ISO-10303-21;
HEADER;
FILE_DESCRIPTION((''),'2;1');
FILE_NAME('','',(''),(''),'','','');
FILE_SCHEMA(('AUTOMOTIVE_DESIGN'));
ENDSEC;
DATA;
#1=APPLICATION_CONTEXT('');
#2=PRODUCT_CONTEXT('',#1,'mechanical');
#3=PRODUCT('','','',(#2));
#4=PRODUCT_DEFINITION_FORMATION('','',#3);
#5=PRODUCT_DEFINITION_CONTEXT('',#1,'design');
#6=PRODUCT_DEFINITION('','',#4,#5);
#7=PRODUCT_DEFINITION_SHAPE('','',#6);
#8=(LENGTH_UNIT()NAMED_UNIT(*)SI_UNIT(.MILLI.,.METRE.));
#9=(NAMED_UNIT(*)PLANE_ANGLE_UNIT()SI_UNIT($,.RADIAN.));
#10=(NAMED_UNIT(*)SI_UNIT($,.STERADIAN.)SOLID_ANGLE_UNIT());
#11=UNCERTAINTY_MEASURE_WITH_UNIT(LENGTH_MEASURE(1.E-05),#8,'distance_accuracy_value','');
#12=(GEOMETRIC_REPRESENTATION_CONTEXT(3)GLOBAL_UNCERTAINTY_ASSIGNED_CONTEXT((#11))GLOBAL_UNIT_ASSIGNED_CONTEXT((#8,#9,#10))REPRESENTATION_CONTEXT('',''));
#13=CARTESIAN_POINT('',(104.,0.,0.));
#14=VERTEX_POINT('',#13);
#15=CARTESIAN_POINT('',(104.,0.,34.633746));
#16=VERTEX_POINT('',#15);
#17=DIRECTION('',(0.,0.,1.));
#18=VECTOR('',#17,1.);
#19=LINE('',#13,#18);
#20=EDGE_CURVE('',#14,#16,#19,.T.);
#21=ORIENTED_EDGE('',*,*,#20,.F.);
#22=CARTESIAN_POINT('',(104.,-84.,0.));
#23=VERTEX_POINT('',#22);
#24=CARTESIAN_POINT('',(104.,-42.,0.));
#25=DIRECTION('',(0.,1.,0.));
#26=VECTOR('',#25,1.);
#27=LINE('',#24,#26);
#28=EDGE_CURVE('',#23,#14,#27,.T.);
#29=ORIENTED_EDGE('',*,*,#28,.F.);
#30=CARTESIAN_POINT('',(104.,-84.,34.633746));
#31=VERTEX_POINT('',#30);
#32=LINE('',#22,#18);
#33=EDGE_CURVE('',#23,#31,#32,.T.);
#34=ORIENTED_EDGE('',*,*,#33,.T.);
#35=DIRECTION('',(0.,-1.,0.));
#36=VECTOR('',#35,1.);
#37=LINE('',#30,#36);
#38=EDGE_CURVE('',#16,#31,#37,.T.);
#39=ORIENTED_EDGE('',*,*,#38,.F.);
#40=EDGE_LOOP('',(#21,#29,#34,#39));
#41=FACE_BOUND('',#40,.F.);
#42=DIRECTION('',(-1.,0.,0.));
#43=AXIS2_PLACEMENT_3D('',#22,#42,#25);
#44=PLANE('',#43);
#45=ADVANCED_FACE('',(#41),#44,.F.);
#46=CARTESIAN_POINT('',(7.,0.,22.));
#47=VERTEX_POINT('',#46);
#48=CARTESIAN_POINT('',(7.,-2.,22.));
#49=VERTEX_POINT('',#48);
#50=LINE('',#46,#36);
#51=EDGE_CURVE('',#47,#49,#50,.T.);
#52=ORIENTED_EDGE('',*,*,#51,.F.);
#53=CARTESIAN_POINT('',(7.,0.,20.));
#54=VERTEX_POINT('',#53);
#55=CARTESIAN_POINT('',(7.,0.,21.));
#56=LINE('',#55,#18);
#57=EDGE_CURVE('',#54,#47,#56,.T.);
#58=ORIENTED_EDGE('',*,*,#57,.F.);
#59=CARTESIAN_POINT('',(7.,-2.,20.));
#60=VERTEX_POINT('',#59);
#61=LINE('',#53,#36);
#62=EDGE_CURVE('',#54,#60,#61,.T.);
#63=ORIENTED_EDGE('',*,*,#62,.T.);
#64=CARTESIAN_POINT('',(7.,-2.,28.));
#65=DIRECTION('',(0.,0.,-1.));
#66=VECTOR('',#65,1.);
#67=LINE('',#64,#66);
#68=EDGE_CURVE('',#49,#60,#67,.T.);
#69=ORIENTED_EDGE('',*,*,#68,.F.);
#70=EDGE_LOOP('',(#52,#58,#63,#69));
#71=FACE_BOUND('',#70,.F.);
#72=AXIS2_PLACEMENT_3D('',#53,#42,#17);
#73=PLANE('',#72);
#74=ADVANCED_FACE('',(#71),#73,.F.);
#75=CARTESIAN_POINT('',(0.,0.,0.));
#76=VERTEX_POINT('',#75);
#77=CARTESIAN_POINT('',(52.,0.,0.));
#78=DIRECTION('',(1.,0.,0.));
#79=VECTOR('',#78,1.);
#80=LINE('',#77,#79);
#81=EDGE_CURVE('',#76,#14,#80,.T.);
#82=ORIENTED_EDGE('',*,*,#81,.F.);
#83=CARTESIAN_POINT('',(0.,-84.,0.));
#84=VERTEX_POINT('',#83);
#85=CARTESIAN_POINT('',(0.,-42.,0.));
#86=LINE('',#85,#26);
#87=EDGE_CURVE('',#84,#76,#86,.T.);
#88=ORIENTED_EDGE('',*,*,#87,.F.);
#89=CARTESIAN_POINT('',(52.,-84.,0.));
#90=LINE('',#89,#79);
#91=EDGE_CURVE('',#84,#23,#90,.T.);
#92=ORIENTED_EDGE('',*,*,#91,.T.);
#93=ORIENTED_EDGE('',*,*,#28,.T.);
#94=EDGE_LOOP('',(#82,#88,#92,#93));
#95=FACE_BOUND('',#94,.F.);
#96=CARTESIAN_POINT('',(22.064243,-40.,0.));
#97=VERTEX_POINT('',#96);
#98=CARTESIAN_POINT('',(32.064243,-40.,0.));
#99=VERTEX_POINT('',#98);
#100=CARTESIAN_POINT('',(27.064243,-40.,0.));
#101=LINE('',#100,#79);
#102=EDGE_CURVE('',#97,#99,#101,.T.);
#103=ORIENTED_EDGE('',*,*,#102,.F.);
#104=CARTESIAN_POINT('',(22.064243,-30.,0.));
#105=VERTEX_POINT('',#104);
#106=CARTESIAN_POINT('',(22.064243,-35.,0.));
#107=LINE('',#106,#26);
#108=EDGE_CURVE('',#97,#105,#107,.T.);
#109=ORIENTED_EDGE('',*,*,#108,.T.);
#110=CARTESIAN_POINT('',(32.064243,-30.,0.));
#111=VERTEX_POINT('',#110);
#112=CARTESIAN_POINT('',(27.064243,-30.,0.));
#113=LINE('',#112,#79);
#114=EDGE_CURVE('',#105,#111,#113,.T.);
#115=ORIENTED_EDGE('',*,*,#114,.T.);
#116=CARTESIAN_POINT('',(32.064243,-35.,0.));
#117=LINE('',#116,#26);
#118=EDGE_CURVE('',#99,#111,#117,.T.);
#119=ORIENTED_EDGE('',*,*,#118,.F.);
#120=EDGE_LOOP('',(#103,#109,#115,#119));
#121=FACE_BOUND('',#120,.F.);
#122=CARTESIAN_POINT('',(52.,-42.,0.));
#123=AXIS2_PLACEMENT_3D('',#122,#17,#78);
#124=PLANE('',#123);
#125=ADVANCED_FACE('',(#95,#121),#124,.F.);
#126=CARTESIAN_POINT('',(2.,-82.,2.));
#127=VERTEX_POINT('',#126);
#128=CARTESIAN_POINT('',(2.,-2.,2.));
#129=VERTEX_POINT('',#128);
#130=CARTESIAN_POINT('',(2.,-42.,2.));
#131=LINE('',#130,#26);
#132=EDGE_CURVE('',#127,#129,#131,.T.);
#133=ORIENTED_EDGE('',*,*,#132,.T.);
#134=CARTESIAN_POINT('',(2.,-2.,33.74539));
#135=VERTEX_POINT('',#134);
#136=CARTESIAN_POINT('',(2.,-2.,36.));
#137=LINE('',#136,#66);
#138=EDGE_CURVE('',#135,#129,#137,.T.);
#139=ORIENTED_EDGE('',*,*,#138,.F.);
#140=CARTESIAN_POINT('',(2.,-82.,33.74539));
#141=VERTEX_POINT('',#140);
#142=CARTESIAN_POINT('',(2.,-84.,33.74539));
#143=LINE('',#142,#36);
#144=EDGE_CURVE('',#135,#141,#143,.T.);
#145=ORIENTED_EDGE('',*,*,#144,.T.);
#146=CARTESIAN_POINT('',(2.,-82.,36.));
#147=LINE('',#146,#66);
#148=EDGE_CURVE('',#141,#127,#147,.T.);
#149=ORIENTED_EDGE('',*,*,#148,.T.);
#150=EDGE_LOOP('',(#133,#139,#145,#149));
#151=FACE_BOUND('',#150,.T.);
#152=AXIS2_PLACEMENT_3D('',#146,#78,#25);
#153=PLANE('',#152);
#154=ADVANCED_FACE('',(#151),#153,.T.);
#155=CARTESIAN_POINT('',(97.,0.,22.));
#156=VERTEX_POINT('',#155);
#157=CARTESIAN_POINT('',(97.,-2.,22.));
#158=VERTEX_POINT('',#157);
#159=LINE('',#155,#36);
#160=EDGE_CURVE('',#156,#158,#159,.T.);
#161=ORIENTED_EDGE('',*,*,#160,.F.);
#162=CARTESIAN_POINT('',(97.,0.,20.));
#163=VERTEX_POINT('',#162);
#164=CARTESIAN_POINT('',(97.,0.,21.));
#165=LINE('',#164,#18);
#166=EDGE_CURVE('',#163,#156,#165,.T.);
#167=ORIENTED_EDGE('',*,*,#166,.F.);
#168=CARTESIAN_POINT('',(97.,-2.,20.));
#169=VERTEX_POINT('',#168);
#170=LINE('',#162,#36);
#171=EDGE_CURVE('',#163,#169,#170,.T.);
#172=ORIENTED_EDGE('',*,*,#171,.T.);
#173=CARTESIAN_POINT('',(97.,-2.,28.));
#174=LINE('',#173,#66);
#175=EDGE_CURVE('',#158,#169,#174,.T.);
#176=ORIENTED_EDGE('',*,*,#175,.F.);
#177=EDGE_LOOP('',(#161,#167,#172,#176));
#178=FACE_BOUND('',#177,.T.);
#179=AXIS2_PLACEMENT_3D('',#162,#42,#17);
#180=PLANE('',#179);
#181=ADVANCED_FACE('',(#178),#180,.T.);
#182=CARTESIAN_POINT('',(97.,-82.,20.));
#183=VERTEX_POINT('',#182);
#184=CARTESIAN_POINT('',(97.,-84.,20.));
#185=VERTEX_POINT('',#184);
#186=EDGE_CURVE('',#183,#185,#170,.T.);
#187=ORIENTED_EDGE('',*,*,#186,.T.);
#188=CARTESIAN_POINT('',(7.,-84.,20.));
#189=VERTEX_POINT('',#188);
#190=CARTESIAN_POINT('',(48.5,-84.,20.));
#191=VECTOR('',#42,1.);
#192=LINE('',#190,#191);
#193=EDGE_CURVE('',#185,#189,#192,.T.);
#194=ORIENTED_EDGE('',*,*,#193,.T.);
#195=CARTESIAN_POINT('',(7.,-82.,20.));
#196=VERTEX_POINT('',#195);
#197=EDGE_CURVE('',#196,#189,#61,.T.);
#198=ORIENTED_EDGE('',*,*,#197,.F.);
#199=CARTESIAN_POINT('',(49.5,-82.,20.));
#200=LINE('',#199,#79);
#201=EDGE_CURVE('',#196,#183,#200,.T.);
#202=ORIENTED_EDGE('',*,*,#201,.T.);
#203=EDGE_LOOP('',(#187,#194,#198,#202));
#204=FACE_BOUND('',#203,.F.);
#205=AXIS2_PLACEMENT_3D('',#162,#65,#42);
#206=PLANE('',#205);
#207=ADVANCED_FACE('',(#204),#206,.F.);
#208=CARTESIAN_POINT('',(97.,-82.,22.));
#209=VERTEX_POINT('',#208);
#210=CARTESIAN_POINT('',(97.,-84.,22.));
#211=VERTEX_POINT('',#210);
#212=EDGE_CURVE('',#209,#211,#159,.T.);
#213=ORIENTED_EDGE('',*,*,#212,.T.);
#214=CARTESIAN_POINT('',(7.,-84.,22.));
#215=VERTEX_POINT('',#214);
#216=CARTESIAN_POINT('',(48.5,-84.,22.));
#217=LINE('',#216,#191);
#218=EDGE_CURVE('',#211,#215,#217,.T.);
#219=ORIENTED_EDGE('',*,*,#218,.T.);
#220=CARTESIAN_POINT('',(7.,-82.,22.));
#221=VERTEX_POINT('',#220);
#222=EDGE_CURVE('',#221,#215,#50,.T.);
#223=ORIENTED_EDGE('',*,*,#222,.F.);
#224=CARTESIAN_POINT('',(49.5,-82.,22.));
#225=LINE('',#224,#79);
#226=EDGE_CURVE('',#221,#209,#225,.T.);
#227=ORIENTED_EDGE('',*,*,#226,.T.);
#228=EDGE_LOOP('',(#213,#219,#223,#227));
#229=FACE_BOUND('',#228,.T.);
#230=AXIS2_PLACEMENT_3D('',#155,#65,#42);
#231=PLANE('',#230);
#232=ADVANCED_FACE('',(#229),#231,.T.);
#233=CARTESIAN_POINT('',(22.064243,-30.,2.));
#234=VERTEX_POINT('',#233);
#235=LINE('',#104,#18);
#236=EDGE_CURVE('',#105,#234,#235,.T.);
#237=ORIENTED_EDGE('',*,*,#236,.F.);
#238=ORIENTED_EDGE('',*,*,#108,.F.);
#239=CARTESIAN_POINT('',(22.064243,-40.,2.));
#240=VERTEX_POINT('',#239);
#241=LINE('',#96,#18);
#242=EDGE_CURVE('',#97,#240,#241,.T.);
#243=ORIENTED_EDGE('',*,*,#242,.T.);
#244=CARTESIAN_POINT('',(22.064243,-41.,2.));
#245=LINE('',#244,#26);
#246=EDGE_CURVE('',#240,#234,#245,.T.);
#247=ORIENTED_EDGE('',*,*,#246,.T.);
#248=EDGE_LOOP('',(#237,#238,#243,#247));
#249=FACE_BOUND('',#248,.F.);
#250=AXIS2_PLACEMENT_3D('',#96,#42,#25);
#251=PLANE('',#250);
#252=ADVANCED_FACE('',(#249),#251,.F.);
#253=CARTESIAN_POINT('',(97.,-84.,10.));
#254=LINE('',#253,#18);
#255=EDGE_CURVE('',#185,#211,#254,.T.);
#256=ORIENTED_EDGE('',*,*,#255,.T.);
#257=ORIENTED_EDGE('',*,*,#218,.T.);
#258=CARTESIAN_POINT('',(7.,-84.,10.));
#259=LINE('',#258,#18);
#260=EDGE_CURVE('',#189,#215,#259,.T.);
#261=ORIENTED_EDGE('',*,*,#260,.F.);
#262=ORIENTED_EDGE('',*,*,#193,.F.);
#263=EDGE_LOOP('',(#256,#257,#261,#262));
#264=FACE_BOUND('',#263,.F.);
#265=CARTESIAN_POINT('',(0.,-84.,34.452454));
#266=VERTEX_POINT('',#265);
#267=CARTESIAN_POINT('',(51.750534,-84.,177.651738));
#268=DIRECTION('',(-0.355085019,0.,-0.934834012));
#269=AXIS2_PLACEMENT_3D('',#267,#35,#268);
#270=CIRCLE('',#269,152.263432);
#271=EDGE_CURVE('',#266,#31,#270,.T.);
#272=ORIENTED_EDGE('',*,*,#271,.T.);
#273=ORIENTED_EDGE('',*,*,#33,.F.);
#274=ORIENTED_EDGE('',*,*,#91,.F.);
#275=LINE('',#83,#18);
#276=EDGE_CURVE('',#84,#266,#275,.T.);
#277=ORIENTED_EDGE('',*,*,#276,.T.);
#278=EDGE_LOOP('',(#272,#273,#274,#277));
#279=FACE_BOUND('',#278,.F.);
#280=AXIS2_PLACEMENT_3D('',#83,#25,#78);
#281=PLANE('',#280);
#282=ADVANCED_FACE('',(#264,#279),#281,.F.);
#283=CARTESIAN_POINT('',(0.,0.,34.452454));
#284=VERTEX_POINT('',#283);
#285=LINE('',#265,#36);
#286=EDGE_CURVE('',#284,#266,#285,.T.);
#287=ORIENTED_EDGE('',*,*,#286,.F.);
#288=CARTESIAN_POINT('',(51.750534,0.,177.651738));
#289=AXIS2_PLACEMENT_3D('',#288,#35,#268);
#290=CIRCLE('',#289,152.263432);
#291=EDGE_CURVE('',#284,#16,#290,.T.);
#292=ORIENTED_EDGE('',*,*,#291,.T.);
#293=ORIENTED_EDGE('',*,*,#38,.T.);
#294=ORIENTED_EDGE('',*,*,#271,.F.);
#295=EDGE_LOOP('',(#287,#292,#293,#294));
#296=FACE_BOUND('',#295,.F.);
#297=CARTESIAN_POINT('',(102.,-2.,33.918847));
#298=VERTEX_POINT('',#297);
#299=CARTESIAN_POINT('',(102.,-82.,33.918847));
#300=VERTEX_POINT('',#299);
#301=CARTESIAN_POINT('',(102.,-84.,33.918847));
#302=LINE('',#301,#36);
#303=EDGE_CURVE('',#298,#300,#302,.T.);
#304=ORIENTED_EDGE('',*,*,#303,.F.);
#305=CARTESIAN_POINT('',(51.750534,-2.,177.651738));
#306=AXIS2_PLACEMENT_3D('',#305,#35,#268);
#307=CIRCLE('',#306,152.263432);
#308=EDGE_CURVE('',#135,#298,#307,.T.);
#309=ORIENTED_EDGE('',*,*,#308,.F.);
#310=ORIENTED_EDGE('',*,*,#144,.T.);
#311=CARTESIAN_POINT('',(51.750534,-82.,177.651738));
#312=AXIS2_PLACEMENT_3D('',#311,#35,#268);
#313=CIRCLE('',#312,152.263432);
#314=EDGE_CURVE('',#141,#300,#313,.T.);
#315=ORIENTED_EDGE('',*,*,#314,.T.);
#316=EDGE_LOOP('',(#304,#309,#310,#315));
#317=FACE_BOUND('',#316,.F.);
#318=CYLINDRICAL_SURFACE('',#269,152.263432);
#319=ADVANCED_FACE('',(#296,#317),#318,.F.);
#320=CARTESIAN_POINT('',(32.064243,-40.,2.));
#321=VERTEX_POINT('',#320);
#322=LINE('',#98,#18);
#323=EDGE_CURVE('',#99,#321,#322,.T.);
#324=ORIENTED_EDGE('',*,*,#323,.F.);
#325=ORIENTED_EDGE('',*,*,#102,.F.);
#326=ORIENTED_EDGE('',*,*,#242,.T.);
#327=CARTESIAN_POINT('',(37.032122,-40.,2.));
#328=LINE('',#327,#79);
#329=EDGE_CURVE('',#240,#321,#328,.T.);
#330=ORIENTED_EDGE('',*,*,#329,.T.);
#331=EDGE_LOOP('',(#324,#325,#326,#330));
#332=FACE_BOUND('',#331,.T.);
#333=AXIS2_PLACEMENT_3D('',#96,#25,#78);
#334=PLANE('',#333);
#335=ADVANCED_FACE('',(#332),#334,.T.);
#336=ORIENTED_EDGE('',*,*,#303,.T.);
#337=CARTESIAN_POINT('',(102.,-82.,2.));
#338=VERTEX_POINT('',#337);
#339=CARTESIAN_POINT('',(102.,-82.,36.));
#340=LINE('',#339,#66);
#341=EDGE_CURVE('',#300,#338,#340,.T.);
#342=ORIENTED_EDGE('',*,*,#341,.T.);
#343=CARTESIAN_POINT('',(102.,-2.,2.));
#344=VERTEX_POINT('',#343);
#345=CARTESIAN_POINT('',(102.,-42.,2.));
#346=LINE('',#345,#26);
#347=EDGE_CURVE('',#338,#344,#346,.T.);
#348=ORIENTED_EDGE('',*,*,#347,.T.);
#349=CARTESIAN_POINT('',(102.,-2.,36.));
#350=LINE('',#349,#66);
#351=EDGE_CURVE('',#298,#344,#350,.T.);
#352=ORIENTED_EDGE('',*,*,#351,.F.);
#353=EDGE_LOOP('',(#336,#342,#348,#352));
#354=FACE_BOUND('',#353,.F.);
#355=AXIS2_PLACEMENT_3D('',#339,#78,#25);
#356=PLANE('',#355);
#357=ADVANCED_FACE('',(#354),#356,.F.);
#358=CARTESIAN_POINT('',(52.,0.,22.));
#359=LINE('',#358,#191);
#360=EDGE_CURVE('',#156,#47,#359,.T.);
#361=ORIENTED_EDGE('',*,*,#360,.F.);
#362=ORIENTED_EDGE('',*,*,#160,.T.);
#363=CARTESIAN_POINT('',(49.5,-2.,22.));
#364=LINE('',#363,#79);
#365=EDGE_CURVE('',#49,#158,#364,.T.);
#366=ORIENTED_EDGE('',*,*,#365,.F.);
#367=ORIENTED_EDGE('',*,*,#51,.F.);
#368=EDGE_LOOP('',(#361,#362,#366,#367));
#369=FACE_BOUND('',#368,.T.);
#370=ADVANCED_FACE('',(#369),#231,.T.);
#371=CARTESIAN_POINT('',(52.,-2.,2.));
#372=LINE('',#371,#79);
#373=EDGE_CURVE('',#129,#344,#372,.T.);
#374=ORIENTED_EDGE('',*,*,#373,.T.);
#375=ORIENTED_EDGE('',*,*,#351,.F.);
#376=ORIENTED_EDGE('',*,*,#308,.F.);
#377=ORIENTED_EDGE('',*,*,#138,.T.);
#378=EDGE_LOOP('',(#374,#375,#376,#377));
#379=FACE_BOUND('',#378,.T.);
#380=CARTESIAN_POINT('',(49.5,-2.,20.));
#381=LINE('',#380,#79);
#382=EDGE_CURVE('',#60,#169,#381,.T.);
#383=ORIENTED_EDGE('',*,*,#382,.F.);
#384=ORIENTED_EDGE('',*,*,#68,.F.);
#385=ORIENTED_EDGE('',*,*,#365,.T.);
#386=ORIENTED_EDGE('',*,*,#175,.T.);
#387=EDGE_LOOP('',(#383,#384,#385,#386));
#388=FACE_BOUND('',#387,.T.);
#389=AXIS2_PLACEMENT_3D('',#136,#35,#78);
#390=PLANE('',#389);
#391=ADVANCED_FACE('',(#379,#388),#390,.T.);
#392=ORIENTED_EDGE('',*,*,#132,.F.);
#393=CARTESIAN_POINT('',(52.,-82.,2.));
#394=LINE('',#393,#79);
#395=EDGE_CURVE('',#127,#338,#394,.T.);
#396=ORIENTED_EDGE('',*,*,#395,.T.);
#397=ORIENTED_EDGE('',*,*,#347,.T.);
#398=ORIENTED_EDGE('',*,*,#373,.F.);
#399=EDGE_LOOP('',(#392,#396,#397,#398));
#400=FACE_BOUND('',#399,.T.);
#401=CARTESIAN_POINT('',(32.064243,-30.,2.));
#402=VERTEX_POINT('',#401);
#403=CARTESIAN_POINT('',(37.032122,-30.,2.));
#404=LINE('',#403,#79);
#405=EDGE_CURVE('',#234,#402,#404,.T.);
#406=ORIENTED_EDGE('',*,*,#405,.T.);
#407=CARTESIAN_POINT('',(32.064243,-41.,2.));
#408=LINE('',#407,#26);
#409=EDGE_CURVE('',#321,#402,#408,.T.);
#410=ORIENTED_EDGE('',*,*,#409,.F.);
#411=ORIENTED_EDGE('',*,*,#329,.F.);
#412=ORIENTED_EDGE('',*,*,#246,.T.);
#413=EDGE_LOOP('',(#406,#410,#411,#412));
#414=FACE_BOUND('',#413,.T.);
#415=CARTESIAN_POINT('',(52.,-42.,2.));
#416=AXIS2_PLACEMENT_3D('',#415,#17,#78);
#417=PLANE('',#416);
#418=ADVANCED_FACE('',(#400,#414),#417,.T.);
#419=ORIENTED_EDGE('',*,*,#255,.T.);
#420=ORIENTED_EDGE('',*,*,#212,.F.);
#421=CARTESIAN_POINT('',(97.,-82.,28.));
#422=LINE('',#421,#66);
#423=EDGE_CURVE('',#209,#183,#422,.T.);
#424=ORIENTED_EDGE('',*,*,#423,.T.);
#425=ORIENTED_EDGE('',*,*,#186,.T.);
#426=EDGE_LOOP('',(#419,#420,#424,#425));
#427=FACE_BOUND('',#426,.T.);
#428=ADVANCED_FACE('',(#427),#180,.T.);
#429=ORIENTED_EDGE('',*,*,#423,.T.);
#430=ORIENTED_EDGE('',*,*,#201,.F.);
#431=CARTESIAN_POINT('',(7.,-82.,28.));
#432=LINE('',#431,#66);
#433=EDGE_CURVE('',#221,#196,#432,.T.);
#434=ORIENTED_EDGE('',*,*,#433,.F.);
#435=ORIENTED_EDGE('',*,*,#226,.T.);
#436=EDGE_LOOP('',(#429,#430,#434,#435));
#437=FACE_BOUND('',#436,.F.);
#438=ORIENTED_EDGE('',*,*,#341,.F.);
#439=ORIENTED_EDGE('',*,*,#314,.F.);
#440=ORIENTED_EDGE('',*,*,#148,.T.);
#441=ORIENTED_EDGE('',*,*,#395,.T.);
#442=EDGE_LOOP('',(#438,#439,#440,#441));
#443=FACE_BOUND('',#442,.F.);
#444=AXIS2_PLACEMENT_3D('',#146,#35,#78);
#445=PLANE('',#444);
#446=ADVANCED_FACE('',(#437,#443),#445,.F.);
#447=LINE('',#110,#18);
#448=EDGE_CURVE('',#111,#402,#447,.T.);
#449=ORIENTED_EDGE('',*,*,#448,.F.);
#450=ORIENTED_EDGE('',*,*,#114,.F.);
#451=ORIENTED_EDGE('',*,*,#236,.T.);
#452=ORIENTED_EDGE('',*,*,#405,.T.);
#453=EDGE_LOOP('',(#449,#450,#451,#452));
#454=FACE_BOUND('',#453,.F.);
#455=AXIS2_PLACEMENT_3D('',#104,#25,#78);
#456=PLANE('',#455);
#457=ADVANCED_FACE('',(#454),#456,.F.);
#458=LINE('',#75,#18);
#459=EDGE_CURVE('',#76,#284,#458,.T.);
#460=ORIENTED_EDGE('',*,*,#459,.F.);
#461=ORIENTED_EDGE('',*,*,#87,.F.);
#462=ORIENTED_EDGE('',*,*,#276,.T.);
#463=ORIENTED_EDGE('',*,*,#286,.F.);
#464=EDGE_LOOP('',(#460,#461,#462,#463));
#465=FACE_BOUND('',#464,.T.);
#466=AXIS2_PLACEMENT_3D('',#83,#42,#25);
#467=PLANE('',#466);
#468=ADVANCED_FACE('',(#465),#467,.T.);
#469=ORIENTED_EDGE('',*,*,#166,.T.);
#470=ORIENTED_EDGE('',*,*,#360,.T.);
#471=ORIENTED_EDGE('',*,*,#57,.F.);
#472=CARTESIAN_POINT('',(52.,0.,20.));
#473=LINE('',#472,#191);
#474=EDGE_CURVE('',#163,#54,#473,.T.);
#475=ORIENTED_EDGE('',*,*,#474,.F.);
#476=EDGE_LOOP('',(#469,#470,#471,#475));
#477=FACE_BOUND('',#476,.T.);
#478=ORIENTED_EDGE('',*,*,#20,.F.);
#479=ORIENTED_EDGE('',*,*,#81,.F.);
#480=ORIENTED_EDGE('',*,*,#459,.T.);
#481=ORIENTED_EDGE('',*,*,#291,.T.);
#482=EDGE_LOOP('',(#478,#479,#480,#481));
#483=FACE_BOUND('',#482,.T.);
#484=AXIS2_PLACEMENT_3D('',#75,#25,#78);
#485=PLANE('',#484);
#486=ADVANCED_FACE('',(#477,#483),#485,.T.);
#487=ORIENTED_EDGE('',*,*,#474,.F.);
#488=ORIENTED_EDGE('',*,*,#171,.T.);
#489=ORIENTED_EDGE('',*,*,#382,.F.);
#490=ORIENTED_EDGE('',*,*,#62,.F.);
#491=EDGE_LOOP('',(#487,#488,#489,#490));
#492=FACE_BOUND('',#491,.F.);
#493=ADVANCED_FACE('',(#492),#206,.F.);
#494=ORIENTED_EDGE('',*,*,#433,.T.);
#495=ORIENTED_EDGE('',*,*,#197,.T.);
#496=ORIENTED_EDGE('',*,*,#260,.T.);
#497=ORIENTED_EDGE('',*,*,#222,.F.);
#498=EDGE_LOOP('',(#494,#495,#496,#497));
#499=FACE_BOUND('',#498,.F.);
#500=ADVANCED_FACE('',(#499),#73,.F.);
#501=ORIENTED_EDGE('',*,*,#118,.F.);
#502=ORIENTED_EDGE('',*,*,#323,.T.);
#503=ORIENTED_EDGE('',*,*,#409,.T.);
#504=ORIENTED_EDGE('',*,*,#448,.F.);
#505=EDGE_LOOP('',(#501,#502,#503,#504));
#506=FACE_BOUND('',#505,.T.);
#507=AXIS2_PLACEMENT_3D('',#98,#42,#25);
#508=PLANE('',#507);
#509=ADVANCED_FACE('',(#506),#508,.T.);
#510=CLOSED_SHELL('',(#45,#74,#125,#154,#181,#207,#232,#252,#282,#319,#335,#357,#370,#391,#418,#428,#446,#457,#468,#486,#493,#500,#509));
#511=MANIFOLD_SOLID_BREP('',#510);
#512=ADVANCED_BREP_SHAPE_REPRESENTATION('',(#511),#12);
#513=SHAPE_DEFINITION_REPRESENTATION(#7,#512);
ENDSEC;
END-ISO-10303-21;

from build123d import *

# Parameters (mm, degrees)
SKETCH006_W     = 104
SKETCH006_H     = 84
SKETCH006_W_2   = 10
SKETCH006_H_2   = 10
PAD002_DEPTH    = 36
SKETCH007_W     = 100
SKETCH007_H     = 80
POCKET004_DEPTH = 34
POCKET005_DEPTH = 84.001
SKETCH009_W     = 90
SKETCH009_H     = 2
POCKET006_DEPTH = 84.001


with BuildPart() as part:
    # Sketch006 (on XY_Plane003 of Origin006) → Pad002 (new body)
    with BuildSketch(Plane.XY):
        with Locations((52, -42)):
            Rectangle(SKETCH006_W, SKETCH006_H)
        with Locations((27.064243, -35)):
            Rectangle(SKETCH006_W_2, SKETCH006_H_2, mode=Mode.SUBTRACT)
    extrude(amount=PAD002_DEPTH)

    # Sketch007 (on Face10 of Pad002) → Pocket004 (cut)
    with BuildSketch(Plane.XY.offset(36)):
        with Locations((52, -42)):
            Rectangle(SKETCH007_W, SKETCH007_H)
    extrude(amount=-POCKET004_DEPTH, mode=Mode.SUBTRACT)

    # Sketch008 (on Face3 of Pocket004) → Pocket005 (cut, through all)
    with BuildSketch(Plane.XZ.offset(84)):
        with BuildLine():
            ThreePointArc((-2.31593, 35.310703), (51.750534, 25.388306), (105.816997, 35.310703))
            Line((105.816997, 35.310703), (106.775558, 49.576915))
            Line((-2.31593, 49.576915), (106.775558, 49.576915))
            Line((-2.31593, 35.310703), (-2.31593, 49.576915))
        make_face()
    extrude(amount=-POCKET005_DEPTH, mode=Mode.SUBTRACT)

    # Sketch009 (on Face5 of Pocket005) → Pocket006 (cut, through all)
    with BuildSketch(Plane(origin=(0, 0, 0), x_dir=(-1, 0, 0), z_dir=(0, 1, 0))):
        with Locations((-52, 21)):
            Rectangle(SKETCH009_W, SKETCH009_H)
    extrude(amount=-POCKET006_DEPTH, mode=Mode.SUBTRACT)


solid = part.part
